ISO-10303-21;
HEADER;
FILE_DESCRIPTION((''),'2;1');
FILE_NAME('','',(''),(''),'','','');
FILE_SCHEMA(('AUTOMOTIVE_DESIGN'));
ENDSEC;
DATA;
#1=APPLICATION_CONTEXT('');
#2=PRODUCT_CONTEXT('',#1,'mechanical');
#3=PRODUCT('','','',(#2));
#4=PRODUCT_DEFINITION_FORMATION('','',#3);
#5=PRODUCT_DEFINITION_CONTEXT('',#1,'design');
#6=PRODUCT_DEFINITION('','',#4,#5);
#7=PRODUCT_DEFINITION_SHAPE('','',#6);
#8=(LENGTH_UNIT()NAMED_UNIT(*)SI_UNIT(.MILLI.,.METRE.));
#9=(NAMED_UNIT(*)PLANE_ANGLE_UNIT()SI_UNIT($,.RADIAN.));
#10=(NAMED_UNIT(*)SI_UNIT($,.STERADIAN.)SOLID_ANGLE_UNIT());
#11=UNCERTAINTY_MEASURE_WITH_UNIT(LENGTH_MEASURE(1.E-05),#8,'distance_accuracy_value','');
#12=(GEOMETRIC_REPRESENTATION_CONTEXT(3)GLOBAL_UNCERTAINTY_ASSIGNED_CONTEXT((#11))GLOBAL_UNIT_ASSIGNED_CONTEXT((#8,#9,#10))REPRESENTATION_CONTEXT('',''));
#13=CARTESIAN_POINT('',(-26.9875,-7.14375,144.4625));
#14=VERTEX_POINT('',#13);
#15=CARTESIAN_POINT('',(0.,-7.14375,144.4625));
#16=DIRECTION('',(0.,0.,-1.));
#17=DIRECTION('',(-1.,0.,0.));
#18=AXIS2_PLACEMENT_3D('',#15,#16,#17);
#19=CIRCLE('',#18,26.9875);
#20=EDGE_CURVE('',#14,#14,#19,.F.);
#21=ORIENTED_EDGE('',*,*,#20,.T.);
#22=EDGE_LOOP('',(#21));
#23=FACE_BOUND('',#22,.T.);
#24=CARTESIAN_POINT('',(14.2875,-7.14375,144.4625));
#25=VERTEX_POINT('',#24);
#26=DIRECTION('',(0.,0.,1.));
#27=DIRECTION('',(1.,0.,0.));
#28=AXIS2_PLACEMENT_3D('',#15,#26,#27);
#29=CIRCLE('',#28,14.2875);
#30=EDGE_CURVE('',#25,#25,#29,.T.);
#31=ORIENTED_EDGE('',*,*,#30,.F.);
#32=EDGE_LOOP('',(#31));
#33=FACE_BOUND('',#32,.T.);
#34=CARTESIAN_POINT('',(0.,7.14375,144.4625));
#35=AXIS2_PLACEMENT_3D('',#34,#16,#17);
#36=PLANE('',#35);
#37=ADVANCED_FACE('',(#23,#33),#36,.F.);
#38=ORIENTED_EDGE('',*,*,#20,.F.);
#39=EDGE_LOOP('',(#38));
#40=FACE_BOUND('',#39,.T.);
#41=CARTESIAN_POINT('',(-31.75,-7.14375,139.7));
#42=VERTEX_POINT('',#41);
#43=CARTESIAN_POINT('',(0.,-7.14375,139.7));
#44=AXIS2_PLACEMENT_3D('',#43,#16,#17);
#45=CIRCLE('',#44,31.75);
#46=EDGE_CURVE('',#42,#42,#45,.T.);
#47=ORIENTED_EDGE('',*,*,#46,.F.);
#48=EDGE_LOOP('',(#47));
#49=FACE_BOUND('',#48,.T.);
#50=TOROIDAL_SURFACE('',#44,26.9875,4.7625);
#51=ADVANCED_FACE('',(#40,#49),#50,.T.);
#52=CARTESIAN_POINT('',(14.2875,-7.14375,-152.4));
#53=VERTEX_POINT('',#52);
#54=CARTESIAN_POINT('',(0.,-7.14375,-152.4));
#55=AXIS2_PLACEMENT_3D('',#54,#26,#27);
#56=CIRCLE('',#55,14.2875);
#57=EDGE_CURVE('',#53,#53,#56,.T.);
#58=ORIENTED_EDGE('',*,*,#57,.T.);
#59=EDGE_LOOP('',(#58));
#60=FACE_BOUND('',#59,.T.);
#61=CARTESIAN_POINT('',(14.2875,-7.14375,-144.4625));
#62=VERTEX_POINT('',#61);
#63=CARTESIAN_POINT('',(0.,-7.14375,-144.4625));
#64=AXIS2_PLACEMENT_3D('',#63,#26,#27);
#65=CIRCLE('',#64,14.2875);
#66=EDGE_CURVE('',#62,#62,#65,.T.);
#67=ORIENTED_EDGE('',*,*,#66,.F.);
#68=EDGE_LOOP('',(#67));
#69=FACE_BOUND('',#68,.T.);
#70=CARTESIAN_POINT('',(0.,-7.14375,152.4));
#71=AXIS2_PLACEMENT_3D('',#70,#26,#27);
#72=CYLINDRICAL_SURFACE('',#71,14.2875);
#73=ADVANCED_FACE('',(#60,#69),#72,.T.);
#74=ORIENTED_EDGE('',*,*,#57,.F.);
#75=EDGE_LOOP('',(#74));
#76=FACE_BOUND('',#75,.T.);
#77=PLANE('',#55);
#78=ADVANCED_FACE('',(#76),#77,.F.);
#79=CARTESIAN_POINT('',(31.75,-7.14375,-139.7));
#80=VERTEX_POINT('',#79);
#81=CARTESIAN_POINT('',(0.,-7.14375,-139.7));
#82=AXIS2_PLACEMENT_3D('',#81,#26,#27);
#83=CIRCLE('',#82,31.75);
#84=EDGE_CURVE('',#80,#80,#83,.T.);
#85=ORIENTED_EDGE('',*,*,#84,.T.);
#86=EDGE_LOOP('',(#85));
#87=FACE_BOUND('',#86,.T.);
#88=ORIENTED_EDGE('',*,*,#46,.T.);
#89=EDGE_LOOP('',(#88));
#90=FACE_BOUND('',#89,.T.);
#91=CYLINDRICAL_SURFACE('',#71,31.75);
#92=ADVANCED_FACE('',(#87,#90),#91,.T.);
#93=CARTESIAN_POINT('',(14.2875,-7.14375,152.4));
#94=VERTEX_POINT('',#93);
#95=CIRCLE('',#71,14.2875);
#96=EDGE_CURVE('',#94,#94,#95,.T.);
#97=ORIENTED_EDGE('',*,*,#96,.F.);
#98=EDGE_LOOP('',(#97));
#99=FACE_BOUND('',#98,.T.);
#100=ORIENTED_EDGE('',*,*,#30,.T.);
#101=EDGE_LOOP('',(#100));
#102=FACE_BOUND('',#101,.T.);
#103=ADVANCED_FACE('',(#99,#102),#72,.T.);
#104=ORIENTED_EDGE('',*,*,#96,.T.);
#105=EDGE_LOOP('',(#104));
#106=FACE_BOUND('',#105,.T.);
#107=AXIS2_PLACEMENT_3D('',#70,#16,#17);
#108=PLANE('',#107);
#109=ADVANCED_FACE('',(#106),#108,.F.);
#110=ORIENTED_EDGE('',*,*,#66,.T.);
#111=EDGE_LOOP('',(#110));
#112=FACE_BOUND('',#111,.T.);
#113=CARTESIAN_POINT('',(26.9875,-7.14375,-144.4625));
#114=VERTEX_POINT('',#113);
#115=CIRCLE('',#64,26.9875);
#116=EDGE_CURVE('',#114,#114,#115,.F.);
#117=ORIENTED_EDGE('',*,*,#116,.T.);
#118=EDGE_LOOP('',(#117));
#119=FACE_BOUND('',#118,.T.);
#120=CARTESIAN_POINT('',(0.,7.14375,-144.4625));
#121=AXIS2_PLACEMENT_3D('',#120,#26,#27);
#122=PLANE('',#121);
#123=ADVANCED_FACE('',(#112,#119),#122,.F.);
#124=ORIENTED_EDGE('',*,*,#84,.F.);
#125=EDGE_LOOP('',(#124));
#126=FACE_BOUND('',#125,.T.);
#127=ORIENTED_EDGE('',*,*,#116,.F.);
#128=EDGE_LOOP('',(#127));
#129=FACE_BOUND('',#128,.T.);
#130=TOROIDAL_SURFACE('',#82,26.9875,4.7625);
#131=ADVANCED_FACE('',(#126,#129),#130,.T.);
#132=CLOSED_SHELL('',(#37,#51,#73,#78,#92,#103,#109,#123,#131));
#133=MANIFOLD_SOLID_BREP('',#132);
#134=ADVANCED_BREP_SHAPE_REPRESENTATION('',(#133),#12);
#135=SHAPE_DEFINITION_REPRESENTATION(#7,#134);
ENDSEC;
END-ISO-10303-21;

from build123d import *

# Parameters (mm, degrees)
FILLET1_R = 4.7625


with BuildPart() as part:
    # Sketch1 → Revolve1 (revolve)
    with BuildSketch(Plane(origin=(0, 0, 0), x_dir=(0, 0, -1), z_dir=(1, 0, 0))):
        Polygon((-152.4, -7.14375), (152.4, -7.14375), (152.4, 7.14375), (144.4625, 7.14375), (144.4625, 24.60625), (-144.4625, 24.60625), (-144.4625, 7.14375), (-152.4, 7.14375), align=None)
    revolve(axis=Axis((0, -7.14375, 152.4), (0, 0, -1)))

    # Fillet1
    fillet1_edges = [part.edges().sort_by_distance(p)[0] for p in [
        (0, -38.89375, -144.4625),
        (0, -38.89375, 144.4625),
    ]]
    fillet(fillet1_edges, radius=FILLET1_R)


solid = part.part
